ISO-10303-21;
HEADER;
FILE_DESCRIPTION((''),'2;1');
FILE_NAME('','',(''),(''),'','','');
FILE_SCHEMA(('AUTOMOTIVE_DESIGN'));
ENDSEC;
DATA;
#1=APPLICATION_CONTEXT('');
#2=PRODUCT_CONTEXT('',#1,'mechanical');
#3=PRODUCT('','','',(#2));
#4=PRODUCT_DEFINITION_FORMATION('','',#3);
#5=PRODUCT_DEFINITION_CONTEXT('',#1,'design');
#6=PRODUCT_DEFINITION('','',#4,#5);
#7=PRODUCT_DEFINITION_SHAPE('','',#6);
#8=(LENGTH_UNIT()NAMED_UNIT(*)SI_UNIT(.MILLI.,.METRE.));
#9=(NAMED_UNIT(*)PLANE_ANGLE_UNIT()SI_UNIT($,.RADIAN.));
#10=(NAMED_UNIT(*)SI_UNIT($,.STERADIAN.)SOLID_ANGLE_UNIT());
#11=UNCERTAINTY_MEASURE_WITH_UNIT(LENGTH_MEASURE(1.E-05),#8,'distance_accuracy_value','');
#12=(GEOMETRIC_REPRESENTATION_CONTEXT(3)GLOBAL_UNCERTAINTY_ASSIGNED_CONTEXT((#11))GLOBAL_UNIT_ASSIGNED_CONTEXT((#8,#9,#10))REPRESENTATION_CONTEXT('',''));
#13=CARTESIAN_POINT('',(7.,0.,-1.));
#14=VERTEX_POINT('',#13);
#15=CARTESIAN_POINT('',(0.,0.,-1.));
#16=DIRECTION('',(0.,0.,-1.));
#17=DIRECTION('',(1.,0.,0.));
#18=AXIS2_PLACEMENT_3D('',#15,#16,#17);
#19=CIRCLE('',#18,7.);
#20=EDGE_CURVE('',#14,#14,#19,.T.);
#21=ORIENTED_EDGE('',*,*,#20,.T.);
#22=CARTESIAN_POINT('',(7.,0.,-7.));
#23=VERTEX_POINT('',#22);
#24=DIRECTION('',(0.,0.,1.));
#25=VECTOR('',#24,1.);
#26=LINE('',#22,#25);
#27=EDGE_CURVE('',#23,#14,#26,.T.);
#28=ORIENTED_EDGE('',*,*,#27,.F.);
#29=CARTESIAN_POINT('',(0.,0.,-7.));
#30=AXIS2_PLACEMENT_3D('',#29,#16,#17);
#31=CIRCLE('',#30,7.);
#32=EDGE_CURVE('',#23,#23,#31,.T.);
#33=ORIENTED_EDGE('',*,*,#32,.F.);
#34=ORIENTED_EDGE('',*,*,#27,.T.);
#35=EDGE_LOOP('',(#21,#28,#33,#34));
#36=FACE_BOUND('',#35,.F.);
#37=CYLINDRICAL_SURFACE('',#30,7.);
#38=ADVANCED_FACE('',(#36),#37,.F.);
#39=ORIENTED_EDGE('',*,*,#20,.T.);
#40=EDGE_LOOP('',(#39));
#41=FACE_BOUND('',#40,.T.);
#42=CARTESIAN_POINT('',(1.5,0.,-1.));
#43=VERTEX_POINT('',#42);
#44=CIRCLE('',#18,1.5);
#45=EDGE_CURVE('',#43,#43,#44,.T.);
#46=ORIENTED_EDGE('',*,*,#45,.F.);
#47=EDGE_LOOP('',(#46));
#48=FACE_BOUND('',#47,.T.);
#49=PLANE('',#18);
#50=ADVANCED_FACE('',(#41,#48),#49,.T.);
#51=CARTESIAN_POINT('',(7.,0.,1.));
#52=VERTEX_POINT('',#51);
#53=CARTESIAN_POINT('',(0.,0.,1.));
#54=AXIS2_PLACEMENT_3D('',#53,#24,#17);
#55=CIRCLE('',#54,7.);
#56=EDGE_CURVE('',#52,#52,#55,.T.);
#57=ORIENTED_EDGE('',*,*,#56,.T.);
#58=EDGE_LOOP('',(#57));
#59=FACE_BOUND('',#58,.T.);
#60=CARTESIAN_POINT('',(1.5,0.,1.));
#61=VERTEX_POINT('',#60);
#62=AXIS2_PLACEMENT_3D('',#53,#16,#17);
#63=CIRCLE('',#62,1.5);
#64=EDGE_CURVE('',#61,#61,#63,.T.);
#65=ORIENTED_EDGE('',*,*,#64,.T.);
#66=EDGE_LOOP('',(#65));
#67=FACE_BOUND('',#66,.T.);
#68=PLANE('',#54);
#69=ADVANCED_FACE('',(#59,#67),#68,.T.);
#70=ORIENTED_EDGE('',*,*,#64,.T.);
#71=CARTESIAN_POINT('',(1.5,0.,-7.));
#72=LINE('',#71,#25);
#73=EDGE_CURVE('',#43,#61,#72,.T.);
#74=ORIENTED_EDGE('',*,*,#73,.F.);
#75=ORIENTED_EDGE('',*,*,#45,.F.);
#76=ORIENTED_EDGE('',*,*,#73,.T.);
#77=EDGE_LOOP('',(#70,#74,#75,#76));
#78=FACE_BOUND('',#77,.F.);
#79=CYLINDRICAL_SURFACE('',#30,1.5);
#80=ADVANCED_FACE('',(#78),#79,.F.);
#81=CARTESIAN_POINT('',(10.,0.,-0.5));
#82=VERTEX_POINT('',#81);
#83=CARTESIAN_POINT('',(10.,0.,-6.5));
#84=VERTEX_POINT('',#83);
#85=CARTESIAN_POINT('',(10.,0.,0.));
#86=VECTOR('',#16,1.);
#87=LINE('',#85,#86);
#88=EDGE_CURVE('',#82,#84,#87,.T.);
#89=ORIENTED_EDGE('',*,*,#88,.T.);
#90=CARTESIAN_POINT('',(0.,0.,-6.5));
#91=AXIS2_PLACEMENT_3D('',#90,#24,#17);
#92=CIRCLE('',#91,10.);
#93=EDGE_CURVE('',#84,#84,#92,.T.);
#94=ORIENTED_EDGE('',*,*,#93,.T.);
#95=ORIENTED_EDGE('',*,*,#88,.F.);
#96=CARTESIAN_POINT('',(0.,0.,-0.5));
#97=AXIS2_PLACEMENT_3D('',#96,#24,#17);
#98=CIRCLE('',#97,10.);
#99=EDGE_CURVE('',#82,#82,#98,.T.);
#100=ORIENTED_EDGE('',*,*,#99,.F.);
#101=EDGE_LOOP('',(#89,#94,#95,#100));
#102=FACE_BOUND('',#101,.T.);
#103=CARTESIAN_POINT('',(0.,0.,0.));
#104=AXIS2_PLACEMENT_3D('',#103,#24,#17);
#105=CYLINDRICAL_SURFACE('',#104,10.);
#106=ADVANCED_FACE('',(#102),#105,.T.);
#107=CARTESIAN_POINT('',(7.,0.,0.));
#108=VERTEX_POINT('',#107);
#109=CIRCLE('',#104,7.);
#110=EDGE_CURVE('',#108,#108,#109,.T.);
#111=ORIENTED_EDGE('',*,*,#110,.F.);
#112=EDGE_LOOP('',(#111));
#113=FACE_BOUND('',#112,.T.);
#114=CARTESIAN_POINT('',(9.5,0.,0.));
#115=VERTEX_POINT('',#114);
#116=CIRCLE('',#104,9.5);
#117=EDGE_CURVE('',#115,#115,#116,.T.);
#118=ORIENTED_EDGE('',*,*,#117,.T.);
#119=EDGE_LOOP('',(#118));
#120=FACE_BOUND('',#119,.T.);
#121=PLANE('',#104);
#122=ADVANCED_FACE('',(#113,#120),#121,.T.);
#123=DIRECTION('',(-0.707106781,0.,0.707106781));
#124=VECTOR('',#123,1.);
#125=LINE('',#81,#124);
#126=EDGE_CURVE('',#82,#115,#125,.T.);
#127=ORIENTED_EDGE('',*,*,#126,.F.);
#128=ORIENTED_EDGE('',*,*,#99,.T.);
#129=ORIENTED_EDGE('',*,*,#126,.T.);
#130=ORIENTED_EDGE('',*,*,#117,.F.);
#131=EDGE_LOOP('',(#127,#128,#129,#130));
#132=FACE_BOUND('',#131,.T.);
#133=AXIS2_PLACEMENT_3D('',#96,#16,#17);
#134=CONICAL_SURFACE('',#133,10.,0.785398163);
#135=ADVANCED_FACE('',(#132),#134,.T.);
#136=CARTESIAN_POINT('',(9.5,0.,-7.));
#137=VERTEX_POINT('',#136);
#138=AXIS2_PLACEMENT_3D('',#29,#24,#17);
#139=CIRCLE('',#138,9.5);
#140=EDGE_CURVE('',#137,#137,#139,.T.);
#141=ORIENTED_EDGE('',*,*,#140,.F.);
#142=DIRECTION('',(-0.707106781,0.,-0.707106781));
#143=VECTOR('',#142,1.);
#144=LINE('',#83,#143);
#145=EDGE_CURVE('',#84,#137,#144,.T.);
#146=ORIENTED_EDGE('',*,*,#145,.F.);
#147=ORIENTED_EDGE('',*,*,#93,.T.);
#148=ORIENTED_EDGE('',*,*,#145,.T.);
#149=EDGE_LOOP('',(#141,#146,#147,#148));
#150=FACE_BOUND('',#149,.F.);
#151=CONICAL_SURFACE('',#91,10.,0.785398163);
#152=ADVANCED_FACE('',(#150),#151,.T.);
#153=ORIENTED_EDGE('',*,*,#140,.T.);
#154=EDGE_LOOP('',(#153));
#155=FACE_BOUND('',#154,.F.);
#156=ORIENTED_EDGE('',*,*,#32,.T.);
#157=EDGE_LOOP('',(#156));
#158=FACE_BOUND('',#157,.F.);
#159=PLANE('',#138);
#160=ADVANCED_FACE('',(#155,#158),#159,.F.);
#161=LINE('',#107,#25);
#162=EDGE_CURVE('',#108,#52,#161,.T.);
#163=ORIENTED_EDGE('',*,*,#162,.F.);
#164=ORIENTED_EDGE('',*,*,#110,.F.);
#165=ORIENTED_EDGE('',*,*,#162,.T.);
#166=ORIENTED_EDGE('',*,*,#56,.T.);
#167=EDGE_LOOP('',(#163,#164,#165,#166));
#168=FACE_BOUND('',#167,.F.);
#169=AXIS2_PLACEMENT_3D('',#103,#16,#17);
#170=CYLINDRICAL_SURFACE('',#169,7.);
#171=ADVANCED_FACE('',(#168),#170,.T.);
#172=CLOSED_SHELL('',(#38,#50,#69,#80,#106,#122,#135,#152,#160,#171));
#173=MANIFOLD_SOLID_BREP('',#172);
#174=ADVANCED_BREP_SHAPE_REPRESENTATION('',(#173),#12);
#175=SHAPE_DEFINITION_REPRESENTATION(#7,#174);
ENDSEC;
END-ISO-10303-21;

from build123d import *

# Parameters (mm, degrees)
F0_R     = 7
F1_DEPTH = 1
F0_R_2   = 10
F2_DEPTH = 7
F3_SIZE  = 0.5
F4_R     = 7
F4_R_2   = 1.5
F5_DEPTH = 6
F6_DEPTH = 25


with BuildPart() as f1:
    # F0 (on Top) → F1 (new body)
    with BuildSketch(Plane.XY):
        Circle(F0_R)
    extrude(amount=F1_DEPTH)

    # F0 (on Top) → F2 (join)
    with BuildSketch(Plane.XY):
        Circle(F0_R_2)
        Circle(F0_R, mode=Mode.SUBTRACT)
        Circle(F0_R)
    extrude(amount=-F2_DEPTH)

    # F3
    f3_edges = [f1.edges().sort_by_distance(p)[0] for p in [
        (-10, 0, 0),
        (-10, 0, -7),
    ]]
    chamfer(f3_edges, length=F3_SIZE)

    # F4 (on face) → F5 (cut)
    with BuildSketch(Plane(origin=(0, 0, -7), x_dir=(1, 0, 0), z_dir=(0, 0, -1))):
        Circle(F4_R)
        Circle(F4_R_2, mode=Mode.SUBTRACT)
        Circle(F4_R_2)
    extrude(amount=-F5_DEPTH, mode=Mode.SUBTRACT)

    # F4 (on face) → F6 (cut)
    with BuildSketch(Plane(origin=(0, 0, -7), x_dir=(1, 0, 0), z_dir=(0, 0, -1))):
        Circle(F4_R_2)
    extrude(amount=-F6_DEPTH, mode=Mode.SUBTRACT)


solid = f1.part
